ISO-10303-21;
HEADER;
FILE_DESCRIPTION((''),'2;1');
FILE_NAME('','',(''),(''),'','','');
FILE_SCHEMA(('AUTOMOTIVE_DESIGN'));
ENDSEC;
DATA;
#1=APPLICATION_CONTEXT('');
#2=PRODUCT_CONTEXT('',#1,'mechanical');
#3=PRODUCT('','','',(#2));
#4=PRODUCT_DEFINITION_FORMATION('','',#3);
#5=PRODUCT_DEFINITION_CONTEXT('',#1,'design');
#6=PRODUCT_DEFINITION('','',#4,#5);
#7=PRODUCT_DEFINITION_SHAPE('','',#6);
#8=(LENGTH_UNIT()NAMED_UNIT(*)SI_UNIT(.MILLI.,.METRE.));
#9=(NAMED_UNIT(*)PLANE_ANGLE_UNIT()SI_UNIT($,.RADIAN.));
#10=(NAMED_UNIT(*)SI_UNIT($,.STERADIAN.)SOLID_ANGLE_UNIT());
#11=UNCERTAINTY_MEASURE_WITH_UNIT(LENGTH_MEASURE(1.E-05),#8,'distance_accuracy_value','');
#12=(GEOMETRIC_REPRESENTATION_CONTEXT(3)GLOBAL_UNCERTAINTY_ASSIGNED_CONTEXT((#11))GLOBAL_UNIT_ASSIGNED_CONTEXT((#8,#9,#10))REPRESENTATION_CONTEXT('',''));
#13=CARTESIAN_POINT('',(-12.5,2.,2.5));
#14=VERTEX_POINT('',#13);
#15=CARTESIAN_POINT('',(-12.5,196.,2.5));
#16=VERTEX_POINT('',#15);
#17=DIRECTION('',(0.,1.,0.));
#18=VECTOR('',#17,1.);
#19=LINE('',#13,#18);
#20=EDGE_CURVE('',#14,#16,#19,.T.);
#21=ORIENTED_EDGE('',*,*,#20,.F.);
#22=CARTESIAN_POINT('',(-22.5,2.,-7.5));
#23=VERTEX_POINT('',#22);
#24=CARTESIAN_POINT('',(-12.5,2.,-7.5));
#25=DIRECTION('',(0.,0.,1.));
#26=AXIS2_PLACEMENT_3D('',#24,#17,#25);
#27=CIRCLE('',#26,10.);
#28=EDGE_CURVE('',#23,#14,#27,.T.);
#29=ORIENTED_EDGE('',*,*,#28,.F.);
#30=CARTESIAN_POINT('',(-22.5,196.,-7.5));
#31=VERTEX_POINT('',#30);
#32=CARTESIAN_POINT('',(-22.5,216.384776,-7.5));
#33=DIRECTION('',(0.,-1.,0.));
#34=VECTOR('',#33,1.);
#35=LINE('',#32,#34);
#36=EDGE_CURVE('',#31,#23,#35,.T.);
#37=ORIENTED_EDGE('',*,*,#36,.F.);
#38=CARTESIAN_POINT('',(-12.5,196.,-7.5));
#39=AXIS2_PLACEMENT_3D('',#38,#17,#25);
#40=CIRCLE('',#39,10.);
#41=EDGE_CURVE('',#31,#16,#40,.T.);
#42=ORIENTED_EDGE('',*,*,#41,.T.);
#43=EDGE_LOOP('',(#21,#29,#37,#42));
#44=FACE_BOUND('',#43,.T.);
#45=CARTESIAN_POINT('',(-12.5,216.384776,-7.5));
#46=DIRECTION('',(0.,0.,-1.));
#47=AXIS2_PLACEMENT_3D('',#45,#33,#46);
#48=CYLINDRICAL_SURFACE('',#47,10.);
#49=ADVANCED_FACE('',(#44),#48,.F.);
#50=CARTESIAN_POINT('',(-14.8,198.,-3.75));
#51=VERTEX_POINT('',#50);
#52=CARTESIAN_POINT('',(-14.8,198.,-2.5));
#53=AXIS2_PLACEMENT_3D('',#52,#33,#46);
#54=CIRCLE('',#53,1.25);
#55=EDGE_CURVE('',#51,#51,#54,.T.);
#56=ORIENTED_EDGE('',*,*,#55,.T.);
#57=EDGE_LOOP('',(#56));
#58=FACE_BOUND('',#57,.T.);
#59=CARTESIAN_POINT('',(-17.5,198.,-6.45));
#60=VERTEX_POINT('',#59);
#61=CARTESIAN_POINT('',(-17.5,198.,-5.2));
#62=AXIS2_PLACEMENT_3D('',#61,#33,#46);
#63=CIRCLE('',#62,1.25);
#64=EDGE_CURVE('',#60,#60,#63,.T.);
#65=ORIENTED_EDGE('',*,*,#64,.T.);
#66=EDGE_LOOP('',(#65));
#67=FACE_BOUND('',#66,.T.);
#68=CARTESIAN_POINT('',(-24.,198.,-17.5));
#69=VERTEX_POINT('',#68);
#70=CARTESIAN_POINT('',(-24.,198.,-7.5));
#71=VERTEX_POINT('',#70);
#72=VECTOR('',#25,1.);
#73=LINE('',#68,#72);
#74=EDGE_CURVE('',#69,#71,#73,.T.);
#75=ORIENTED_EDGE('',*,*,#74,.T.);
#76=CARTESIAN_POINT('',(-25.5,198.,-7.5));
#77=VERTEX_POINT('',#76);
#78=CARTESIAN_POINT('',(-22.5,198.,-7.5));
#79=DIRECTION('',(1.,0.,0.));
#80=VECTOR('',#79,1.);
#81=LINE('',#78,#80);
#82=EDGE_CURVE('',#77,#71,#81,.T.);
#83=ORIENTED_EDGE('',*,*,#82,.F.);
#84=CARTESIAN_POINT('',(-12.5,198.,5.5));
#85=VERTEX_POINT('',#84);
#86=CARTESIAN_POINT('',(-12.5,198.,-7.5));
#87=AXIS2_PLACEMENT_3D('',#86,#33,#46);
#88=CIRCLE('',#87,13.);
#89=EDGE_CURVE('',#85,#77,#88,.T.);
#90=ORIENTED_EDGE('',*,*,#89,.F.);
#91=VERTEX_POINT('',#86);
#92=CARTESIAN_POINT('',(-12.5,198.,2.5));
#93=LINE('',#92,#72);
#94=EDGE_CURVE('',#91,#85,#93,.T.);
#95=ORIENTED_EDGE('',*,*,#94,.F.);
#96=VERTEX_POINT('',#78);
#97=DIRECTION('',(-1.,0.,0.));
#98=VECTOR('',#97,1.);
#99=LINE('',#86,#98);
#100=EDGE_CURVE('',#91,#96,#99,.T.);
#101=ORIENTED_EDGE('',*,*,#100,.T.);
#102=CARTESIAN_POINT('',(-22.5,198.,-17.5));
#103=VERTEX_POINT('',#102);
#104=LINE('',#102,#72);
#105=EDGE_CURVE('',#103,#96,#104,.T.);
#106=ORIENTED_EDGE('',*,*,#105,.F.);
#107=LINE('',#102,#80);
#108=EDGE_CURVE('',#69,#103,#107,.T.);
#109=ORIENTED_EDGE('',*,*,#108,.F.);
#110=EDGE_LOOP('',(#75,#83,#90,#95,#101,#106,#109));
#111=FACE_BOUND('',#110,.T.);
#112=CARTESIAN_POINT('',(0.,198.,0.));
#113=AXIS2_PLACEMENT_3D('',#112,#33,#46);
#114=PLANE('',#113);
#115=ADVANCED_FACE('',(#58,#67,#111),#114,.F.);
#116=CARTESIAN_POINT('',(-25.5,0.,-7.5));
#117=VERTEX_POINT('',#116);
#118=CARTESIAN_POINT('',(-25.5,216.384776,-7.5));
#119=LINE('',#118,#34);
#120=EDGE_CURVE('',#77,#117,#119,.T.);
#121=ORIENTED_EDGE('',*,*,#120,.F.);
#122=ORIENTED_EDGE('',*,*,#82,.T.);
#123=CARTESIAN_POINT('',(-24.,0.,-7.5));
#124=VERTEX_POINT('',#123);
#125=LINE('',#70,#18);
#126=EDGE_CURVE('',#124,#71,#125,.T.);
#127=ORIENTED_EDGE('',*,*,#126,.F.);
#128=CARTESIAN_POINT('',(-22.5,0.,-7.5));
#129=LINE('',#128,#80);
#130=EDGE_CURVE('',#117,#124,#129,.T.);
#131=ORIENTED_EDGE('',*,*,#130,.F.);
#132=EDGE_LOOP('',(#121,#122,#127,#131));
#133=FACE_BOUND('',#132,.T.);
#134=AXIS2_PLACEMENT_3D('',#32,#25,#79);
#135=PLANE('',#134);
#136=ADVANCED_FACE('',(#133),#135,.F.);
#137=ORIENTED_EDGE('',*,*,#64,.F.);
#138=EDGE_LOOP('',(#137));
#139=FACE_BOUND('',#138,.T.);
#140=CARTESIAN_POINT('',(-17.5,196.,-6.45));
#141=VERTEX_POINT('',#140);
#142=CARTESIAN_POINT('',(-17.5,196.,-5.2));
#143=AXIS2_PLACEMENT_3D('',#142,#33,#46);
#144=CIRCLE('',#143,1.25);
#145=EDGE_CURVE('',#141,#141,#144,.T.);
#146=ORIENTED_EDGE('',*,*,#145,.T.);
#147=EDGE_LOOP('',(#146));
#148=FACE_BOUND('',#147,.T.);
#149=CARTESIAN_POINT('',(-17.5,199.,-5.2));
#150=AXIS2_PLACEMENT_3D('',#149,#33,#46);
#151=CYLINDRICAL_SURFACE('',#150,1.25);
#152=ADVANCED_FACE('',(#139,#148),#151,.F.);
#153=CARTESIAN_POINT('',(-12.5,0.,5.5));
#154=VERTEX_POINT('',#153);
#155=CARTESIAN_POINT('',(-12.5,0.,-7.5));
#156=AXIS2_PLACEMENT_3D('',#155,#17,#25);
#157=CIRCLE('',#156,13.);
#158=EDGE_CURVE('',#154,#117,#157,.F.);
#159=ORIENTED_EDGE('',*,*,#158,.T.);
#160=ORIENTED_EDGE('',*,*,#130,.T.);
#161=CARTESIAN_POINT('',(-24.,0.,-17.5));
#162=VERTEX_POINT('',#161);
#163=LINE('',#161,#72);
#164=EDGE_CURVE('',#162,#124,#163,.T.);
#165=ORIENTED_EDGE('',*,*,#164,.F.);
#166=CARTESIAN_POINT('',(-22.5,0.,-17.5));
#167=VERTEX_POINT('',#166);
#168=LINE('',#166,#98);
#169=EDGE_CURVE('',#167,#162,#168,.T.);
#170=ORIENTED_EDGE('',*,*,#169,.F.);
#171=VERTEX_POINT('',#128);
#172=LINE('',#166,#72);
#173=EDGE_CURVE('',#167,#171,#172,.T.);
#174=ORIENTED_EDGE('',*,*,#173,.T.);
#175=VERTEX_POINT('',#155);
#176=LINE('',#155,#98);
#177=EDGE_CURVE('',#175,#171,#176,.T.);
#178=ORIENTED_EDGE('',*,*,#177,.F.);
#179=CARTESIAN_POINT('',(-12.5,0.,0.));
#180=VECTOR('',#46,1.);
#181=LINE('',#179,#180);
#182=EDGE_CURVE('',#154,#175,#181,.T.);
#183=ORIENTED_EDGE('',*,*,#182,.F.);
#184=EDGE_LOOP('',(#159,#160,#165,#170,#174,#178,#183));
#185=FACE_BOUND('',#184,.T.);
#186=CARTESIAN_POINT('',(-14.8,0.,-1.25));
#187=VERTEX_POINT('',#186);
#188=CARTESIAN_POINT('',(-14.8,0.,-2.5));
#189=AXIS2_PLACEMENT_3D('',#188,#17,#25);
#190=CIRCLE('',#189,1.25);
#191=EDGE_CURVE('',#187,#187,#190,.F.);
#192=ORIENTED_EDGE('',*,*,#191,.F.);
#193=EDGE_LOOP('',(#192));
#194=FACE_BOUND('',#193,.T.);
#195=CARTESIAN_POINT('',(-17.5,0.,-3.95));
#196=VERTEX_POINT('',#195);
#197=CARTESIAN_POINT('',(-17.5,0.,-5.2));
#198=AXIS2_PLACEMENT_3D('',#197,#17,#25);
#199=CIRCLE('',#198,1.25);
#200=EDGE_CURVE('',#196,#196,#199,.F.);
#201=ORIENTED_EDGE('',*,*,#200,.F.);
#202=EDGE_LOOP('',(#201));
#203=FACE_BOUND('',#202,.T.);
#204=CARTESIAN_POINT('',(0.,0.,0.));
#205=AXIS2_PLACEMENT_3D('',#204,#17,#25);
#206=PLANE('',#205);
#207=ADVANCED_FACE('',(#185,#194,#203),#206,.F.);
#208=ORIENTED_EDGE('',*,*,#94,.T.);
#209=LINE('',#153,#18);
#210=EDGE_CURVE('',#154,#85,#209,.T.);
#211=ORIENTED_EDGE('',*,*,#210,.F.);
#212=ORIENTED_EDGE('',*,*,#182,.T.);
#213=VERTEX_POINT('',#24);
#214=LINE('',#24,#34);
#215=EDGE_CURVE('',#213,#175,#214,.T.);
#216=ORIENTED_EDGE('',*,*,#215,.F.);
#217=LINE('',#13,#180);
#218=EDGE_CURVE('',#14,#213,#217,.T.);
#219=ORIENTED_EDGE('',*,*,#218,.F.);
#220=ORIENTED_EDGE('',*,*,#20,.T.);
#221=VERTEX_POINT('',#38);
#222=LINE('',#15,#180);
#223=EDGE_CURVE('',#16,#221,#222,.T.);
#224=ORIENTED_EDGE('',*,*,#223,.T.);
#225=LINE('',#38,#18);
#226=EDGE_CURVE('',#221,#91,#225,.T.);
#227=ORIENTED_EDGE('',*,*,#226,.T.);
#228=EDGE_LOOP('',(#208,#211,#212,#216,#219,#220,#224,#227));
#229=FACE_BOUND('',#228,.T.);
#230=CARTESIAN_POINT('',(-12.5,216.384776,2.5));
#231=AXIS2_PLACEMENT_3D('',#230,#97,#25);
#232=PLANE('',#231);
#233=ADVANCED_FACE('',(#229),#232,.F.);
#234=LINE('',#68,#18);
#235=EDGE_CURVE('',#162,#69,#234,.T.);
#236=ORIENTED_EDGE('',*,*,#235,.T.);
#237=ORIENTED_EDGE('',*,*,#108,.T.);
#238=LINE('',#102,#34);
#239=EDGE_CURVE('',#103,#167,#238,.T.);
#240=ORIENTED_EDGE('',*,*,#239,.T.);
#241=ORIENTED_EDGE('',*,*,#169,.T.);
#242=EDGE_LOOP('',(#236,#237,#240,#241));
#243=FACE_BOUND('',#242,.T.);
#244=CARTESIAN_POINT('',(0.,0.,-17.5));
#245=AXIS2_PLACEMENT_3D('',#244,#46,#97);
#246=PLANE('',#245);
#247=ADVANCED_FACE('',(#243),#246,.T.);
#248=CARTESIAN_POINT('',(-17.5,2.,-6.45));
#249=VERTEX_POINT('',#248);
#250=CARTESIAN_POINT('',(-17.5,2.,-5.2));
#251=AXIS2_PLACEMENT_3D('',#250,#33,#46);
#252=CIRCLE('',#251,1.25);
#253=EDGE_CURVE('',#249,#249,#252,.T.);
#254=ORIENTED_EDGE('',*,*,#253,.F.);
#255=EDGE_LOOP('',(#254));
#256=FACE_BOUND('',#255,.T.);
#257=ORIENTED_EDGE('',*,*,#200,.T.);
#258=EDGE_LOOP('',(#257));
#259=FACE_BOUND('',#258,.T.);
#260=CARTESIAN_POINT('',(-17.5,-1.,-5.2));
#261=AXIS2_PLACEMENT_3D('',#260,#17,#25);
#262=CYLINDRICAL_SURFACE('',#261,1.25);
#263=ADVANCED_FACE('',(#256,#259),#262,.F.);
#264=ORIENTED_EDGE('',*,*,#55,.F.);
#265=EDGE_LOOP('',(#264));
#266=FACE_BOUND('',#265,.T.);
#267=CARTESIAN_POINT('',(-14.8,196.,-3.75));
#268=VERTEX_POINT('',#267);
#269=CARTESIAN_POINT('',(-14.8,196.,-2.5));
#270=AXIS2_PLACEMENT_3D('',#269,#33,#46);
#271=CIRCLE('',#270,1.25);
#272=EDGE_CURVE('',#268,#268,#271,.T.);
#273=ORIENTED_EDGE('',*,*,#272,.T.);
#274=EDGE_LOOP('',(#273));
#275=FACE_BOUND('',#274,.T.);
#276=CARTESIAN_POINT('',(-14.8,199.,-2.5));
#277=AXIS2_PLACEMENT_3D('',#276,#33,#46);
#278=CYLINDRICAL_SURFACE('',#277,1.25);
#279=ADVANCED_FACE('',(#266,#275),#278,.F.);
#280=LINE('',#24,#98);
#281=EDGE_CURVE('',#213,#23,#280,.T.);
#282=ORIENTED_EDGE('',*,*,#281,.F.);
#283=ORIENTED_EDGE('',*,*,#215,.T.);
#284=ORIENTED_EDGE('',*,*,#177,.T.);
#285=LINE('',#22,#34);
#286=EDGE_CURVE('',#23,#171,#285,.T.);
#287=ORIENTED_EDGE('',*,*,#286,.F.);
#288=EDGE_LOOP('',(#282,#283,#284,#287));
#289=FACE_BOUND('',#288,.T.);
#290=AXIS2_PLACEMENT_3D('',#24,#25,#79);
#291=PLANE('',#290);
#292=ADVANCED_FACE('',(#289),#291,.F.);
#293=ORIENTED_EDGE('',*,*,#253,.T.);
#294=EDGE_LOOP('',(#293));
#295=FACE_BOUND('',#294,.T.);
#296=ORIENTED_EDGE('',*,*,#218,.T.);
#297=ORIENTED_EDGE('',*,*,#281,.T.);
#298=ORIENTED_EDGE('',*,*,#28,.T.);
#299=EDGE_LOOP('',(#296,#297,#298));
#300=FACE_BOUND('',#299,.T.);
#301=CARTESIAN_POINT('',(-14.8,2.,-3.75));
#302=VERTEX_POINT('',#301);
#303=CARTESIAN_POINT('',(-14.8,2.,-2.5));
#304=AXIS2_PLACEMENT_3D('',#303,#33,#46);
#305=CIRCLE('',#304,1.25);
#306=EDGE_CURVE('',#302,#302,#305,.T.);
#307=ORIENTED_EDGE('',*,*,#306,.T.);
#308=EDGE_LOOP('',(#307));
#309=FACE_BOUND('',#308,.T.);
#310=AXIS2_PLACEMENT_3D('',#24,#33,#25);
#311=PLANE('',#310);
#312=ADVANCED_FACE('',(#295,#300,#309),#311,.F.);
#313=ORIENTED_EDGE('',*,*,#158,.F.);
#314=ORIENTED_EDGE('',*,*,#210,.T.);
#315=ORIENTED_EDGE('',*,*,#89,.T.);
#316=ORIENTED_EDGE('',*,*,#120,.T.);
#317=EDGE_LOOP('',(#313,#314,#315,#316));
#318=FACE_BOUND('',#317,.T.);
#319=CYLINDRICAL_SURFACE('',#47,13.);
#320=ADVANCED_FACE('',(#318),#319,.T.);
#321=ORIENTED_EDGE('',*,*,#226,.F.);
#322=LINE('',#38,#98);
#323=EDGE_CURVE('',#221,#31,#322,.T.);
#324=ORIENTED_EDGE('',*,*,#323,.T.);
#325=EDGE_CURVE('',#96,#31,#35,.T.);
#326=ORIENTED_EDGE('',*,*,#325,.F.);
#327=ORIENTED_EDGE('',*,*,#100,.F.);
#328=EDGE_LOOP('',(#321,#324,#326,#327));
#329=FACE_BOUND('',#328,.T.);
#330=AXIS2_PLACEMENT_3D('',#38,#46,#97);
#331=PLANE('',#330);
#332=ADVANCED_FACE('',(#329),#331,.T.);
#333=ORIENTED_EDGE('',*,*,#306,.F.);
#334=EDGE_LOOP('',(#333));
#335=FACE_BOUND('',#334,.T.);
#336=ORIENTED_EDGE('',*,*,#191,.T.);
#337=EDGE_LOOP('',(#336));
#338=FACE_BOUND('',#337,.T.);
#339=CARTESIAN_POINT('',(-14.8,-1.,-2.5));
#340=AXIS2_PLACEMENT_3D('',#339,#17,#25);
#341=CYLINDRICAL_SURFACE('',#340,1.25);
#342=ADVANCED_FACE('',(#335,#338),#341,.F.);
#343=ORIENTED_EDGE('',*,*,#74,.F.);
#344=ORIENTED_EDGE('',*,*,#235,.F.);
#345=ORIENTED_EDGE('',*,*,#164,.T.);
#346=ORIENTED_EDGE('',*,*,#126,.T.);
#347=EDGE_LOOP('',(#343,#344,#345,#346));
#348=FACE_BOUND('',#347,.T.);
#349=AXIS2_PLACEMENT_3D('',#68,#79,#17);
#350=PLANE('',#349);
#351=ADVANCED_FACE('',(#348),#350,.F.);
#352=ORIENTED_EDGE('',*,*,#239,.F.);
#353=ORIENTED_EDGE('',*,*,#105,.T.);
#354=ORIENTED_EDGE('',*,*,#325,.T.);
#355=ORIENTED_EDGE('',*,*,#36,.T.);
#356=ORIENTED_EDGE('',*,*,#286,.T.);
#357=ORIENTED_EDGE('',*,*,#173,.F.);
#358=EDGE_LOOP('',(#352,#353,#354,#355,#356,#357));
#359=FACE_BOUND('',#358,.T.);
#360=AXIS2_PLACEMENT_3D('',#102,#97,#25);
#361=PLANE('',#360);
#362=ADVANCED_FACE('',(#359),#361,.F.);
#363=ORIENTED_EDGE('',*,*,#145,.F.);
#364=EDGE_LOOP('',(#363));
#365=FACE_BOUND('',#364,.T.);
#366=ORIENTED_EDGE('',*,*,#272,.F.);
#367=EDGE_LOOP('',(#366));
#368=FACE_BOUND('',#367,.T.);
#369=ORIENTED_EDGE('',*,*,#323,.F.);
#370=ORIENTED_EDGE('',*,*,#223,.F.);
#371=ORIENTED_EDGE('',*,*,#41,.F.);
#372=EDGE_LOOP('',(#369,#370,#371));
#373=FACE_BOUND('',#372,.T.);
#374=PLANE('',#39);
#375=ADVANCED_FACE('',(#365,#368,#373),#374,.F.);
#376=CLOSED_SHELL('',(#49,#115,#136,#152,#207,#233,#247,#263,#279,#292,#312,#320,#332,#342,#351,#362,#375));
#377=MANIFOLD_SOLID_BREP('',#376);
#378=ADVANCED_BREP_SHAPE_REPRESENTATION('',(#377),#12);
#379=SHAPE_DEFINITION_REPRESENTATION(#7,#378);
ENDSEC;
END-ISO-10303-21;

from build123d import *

# Parameters (mm, degrees)
SKETCH_1_W                  = 30
SKETCH_1_H                  = 11
EXTRUDE_1_DEPTH             = 6
SKETCH_2_W                  = 16
SKETCH_2_H                  = 2
CUT_EXTRUDE_1_DEPTH         = 144
EXTRUDE_2_DEPTH             = 192
SKETCH_4_R                  = 1.75
CUT_EXTRUDE_2_DEPTH         = 144
SKETCH_5_W                  = 11
SKETCH_5_H                  = 198
CUT_EXTRUDE_3_DEPTH         = 2.5
EXTRUDE_3_REACH             = 194.664
EXTRUDE_3_DIRECTION_2_REACH = 194.664
SKETCH_7_W                  = 1.5
SKETCH_7_H                  = 198
EXTRUDE_4_DEPTH             = 10
CUT_EXTRUDE_4_DEPTH         = 40
EXTRUDE_5_DEPTH             = 2
SKETCH_10_R                 = 1.25
CUT_EXTRUDE_5_DEPTH         = 3


with BuildPart() as part:
    # 草图1 → 凸台-拉伸1 (new body)
    with BuildSketch(Plane(origin=(0, 0, 0), x_dir=(1, 0, 0), z_dir=(0, 1, 0))):
        Rectangle(SKETCH_1_W, SKETCH_1_H)
    extrude(amount=EXTRUDE_1_DEPTH)

    # 草图2 → 切除-拉伸1 (cut)
    with BuildSketch(Plane.ZY.offset(15)):
        with Locations((-5.5, 3)):
            Rectangle(SKETCH_2_W, SKETCH_2_H)
    extrude(amount=-CUT_EXTRUDE_1_DEPTH, mode=Mode.SUBTRACT)

    # 草图3 → 凸台-拉伸2 (add)
    with BuildSketch(Plane(origin=(0, 6, 0), x_dir=(1, 0, 0), z_dir=(0, 1, 0))):
        Polygon((2, 5.5), (-2, 5.5), (-2, -3.5), (-15, -3.5), (-15, -5.5), (15, -5.5), (15, -3.5), (2, -3.5), align=None)
    extrude(amount=EXTRUDE_2_DEPTH)

    # 草图4 → 切除-拉伸2 (cut)
    with BuildSketch(Plane(origin=(0, 6, 0), x_dir=(1, 0, 0), z_dir=(0, 1, 0))):
        with Locations(Location((-7.5, 2, 0), (0, 0, 270))):
            Circle(SKETCH_4_R)
        with Locations(Location((7.5, 2, 0), (0, 0, 270))):
            Circle(SKETCH_4_R)
    extrude(amount=-CUT_EXTRUDE_2_DEPTH, mode=Mode.SUBTRACT)

    # 草图5 → 切除-拉伸3 (cut)
    with BuildSketch(Plane.ZY.offset(15)):
        with Locations((0, 99)):
            Rectangle(SKETCH_5_W, SKETCH_5_H)
    extrude(amount=-CUT_EXTRUDE_3_DEPTH, mode=Mode.SUBTRACT)

    # 凸台-拉伸3: up to this face of the body (flat: up to its plane)
    extrude_3_end = Plane(part.part.faces().sort_by_distance((0.755494505, 198, 2.324175824))[0])
    # 草图6 → 凸台-拉伸3 (add, up to the picked face)
    with BuildSketch(Plane(origin=(0, 6, 0), x_dir=(1, 0, 0), z_dir=(0, 1, 0)), mode=Mode.PRIVATE) as extrude_3_sk1:
        with BuildLine():
            Line((-22.5, 7.5), (-25.5, 7.5))
            ThreePointArc((-25.5, 7.5), (-21.692388155, -1.692388155), (-12.5, -5.5))
            Line((-12.5, -5.5), (-12.5, -2.5))
            ThreePointArc((-12.5, -2.5), (-19.571067812, 0.428932188), (-22.5, 7.5))
        make_face()
    extrude_3_tool1 = split(extrude(extrude_3_sk1.sketch, amount=EXTRUDE_3_REACH, mode=Mode.PRIVATE), bisect_by=extrude_3_end, keep=Keep.BOTH, mode=Mode.PRIVATE)
    add(extrude_3_tool1.solids().sort_by(Axis((-19.862646, 6, -0.137354), (0, 1, 0)))[0])

    # 凸台-拉伸3 direction 2: up to this face of the body (flat: up to its plane)
    extrude_3_direction_2_end = Plane(part.part.faces().sort_by_distance((1.334914955, 0, 0.135863928))[0])
    # 草图6 → 凸台-拉伸3 direction 2 (add, up to the picked face)
    with BuildSketch(Plane(origin=(0, 6, 0), x_dir=(1, 0, 0), z_dir=(0, 1, 0)), mode=Mode.PRIVATE) as extrude_3_direction_2_sk1:
        with BuildLine():
            Line((-22.5, 7.5), (-25.5, 7.5))
            ThreePointArc((-25.5, 7.5), (-21.692388155, -1.692388155), (-12.5, -5.5))
            Line((-12.5, -5.5), (-12.5, -2.5))
            ThreePointArc((-12.5, -2.5), (-19.571067812, 0.428932188), (-22.5, 7.5))
        make_face()
    extrude_3_direction_2_tool1 = split(extrude(extrude_3_direction_2_sk1.sketch, amount=-EXTRUDE_3_DIRECTION_2_REACH, mode=Mode.PRIVATE), bisect_by=extrude_3_direction_2_end, keep=Keep.BOTH, mode=Mode.PRIVATE)
    add(extrude_3_direction_2_tool1.solids().sort_by(Axis((-19.862646, 6, -0.137354), (0, -1, 0)))[0])

    # 草图7 → 凸台-拉伸4 (add)
    with BuildSketch(Plane(origin=(0, 0, -7.5), x_dir=(-1, 0, 0), z_dir=(0, 0, -1))):
        with Locations((23.25, 99)):
            Rectangle(SKETCH_7_W, SKETCH_7_H)
    extrude(amount=EXTRUDE_4_DEPTH)

    # 草图8 → 切除-拉伸4 (cut)
    with BuildSketch(Plane(origin=(-12.5, 0, 0), x_dir=(0, 0, -1), z_dir=(1, 0, 0))):
        Polygon((26.892505746, 198), (-2.5, 198), (-2.5, 6), (-2.5, -9.514717226), (26.892505746, -9.514717226), align=None)
        Polygon((-3.5, 6), (-3.5, 198), (-26.700940199, 198), (-26.700940199, -9.514717226), (-2.5, -9.514717226), (-2.5, 6), align=None)
    extrude(amount=CUT_EXTRUDE_4_DEPTH, mode=Mode.SUBTRACT)


with BuildPart() as cut_extrude_4_kept_piece:
    # of the separate pieces the step leaves, the one the design keeps (cut_extrude_4_pieces_kept)
    add(part.part.solids().sort_by_distance((-22.5, 0, -7.5))[0])

    # 草图9 → 凸台-拉伸5 (add)
    with BuildSketch(Plane(origin=(0, 198, 0), x_dir=(1, 0, 0), z_dir=(0, 1, 0))):
        with BuildLine():
            Line((-12.5, -2.5), (-12.5, 7.5))
            Line((-12.5, 7.5), (-22.5, 7.5))
            ThreePointArc((-22.5, 7.5), (-19.571067812, 0.428932188), (-12.5, -2.5))
        make_face()
    extrude_5 = extrude(amount=-EXTRUDE_5_DEPTH)

    # 草图10 → 切除-拉伸5 (cut)
    with BuildSketch(Plane(origin=(0, 196, 0), x_dir=(-1, 0, 0), z_dir=(0, -1, 0))):
        with Locations(Location((14.8, 2.5, 0), (0, 0, 90))):
            Circle(SKETCH_10_R)
        with Locations(Location((17.5, 5.2, 0), (0, 0, 90))):
            Circle(SKETCH_10_R)
    cut_extrude_5 = extrude(amount=-CUT_EXTRUDE_5_DEPTH, mode=Mode.SUBTRACT)

    # 镜向2: 凸台-拉伸5, 切除-拉伸5 across plane
    add(extrude_5.mirror(Plane(origin=(0, 99, 0), x_dir=(0, 0, 1), z_dir=(0, -1, 0))))
    add(cut_extrude_5.mirror(Plane(origin=(0, 99, 0), x_dir=(0, 0, 1), z_dir=(0, -1, 0))), mode=Mode.SUBTRACT)


solid = cut_extrude_4_kept_piece.part
